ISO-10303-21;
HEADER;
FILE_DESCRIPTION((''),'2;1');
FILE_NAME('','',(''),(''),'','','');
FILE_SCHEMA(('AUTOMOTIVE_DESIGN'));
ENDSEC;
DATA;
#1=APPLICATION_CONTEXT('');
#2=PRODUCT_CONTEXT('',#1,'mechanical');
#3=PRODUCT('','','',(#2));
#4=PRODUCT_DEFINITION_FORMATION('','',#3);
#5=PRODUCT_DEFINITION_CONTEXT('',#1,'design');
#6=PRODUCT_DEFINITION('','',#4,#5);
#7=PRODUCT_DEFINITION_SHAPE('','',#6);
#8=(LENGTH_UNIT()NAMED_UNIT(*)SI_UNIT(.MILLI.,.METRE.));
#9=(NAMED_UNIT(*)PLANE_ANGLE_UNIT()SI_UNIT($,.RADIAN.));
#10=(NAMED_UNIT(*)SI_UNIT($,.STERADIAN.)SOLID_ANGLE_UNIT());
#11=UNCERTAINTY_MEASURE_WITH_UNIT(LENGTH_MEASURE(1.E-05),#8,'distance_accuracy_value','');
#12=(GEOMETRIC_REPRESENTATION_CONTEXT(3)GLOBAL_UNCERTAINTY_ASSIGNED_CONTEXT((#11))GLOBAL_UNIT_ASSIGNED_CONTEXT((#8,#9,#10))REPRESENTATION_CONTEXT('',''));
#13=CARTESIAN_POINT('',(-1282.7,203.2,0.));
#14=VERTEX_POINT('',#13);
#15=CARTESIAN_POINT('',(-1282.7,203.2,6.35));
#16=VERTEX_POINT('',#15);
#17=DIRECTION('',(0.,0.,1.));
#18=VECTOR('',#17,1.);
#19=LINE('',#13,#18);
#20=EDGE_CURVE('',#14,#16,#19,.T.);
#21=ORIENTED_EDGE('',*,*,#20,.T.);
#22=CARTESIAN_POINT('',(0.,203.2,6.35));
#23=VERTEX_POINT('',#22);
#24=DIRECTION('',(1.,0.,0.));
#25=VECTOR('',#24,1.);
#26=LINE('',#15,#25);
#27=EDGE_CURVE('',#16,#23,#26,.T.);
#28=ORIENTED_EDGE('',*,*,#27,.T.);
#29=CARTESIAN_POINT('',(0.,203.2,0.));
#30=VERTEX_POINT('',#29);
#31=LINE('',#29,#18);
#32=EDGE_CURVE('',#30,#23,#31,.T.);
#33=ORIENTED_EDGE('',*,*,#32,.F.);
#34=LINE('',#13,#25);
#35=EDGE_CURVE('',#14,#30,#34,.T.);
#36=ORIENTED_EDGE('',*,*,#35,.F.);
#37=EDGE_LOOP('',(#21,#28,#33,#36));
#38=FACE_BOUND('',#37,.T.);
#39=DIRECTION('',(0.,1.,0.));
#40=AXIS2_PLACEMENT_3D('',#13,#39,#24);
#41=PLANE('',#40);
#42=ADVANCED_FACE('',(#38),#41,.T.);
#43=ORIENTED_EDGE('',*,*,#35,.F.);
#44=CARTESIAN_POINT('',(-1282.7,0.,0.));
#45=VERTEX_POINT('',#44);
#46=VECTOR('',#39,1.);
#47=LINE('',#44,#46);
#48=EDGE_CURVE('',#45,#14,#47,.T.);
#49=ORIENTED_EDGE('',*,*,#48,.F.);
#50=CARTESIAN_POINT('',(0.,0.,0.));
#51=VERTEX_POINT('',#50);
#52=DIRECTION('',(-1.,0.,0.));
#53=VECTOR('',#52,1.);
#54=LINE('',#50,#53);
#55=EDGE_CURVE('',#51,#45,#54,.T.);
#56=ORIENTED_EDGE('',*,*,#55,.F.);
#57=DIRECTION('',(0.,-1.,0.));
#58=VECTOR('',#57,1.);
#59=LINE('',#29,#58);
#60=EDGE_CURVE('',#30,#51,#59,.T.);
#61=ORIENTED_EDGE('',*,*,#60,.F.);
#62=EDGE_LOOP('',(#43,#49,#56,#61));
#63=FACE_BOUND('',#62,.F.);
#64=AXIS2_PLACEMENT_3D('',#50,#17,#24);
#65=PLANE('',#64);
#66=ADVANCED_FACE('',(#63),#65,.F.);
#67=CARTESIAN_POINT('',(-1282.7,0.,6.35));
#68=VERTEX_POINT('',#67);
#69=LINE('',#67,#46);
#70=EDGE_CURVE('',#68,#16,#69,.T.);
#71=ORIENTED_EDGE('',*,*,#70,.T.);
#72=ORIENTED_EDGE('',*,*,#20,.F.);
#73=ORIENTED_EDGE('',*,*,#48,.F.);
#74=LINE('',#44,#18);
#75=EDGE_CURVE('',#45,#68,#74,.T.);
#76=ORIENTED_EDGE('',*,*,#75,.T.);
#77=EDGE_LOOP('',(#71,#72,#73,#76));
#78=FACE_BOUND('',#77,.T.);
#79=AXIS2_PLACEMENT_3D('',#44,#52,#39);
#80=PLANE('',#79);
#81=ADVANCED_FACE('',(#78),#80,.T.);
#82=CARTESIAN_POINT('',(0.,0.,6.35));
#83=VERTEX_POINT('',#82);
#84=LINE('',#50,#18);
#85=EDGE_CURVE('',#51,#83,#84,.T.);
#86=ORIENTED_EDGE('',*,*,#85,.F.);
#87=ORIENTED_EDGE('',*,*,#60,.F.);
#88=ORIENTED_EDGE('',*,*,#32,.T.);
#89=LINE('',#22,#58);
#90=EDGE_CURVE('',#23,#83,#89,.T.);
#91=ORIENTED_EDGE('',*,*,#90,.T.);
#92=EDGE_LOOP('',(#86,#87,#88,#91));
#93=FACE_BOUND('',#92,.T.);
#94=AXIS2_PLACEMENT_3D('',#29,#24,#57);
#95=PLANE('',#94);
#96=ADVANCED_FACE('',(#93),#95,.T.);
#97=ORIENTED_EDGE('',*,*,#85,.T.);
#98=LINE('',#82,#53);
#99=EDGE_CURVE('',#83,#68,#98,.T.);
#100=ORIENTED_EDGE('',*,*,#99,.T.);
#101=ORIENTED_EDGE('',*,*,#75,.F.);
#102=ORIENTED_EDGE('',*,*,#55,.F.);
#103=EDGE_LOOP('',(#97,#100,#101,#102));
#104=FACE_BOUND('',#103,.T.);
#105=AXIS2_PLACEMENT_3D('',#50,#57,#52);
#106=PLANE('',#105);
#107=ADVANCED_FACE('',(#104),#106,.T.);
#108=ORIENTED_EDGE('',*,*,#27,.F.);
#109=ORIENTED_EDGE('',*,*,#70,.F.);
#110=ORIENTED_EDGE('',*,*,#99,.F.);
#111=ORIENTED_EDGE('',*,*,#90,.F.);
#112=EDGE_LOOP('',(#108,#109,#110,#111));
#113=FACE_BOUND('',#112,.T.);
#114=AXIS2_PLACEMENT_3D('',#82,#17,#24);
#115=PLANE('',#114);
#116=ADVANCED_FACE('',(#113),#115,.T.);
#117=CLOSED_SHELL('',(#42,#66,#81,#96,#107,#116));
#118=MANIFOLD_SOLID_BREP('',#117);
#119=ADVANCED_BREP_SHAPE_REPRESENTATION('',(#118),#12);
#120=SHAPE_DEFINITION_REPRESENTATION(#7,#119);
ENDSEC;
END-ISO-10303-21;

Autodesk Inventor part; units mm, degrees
ref_plane "YZ Plane" through (0, 0, 0) normal (1, 0, 0) x (0, 1, 0)
ref_plane "XZ Plane" through (0, 0, 0) normal (0, 1, 0) x (-1, 0, 0)
ref_plane "XY Plane" through (0, 0, 0) normal (0, 0, 1) x (1, 0, 0)
sketch "Sketch1" plane through (0, 0, 0) normal (0, 0, 1) x (1, 0, 0)
  line L0 (0, 0) -> (-1282.7, 0)
  line L1 (-1282.7, 0) -> (-1282.7, 203.2)
  line L2 (-1282.7, 203.2) -> (0, 203.2)
  line L3 (0, 203.2) -> (0, 0)
  dimension "d0" = 203.2
  dimension "d1" = 1282.7
extrude "Extrusion1" add sketch "Sketch1" along normal blind 6.35
properties part number "GE-12083"
